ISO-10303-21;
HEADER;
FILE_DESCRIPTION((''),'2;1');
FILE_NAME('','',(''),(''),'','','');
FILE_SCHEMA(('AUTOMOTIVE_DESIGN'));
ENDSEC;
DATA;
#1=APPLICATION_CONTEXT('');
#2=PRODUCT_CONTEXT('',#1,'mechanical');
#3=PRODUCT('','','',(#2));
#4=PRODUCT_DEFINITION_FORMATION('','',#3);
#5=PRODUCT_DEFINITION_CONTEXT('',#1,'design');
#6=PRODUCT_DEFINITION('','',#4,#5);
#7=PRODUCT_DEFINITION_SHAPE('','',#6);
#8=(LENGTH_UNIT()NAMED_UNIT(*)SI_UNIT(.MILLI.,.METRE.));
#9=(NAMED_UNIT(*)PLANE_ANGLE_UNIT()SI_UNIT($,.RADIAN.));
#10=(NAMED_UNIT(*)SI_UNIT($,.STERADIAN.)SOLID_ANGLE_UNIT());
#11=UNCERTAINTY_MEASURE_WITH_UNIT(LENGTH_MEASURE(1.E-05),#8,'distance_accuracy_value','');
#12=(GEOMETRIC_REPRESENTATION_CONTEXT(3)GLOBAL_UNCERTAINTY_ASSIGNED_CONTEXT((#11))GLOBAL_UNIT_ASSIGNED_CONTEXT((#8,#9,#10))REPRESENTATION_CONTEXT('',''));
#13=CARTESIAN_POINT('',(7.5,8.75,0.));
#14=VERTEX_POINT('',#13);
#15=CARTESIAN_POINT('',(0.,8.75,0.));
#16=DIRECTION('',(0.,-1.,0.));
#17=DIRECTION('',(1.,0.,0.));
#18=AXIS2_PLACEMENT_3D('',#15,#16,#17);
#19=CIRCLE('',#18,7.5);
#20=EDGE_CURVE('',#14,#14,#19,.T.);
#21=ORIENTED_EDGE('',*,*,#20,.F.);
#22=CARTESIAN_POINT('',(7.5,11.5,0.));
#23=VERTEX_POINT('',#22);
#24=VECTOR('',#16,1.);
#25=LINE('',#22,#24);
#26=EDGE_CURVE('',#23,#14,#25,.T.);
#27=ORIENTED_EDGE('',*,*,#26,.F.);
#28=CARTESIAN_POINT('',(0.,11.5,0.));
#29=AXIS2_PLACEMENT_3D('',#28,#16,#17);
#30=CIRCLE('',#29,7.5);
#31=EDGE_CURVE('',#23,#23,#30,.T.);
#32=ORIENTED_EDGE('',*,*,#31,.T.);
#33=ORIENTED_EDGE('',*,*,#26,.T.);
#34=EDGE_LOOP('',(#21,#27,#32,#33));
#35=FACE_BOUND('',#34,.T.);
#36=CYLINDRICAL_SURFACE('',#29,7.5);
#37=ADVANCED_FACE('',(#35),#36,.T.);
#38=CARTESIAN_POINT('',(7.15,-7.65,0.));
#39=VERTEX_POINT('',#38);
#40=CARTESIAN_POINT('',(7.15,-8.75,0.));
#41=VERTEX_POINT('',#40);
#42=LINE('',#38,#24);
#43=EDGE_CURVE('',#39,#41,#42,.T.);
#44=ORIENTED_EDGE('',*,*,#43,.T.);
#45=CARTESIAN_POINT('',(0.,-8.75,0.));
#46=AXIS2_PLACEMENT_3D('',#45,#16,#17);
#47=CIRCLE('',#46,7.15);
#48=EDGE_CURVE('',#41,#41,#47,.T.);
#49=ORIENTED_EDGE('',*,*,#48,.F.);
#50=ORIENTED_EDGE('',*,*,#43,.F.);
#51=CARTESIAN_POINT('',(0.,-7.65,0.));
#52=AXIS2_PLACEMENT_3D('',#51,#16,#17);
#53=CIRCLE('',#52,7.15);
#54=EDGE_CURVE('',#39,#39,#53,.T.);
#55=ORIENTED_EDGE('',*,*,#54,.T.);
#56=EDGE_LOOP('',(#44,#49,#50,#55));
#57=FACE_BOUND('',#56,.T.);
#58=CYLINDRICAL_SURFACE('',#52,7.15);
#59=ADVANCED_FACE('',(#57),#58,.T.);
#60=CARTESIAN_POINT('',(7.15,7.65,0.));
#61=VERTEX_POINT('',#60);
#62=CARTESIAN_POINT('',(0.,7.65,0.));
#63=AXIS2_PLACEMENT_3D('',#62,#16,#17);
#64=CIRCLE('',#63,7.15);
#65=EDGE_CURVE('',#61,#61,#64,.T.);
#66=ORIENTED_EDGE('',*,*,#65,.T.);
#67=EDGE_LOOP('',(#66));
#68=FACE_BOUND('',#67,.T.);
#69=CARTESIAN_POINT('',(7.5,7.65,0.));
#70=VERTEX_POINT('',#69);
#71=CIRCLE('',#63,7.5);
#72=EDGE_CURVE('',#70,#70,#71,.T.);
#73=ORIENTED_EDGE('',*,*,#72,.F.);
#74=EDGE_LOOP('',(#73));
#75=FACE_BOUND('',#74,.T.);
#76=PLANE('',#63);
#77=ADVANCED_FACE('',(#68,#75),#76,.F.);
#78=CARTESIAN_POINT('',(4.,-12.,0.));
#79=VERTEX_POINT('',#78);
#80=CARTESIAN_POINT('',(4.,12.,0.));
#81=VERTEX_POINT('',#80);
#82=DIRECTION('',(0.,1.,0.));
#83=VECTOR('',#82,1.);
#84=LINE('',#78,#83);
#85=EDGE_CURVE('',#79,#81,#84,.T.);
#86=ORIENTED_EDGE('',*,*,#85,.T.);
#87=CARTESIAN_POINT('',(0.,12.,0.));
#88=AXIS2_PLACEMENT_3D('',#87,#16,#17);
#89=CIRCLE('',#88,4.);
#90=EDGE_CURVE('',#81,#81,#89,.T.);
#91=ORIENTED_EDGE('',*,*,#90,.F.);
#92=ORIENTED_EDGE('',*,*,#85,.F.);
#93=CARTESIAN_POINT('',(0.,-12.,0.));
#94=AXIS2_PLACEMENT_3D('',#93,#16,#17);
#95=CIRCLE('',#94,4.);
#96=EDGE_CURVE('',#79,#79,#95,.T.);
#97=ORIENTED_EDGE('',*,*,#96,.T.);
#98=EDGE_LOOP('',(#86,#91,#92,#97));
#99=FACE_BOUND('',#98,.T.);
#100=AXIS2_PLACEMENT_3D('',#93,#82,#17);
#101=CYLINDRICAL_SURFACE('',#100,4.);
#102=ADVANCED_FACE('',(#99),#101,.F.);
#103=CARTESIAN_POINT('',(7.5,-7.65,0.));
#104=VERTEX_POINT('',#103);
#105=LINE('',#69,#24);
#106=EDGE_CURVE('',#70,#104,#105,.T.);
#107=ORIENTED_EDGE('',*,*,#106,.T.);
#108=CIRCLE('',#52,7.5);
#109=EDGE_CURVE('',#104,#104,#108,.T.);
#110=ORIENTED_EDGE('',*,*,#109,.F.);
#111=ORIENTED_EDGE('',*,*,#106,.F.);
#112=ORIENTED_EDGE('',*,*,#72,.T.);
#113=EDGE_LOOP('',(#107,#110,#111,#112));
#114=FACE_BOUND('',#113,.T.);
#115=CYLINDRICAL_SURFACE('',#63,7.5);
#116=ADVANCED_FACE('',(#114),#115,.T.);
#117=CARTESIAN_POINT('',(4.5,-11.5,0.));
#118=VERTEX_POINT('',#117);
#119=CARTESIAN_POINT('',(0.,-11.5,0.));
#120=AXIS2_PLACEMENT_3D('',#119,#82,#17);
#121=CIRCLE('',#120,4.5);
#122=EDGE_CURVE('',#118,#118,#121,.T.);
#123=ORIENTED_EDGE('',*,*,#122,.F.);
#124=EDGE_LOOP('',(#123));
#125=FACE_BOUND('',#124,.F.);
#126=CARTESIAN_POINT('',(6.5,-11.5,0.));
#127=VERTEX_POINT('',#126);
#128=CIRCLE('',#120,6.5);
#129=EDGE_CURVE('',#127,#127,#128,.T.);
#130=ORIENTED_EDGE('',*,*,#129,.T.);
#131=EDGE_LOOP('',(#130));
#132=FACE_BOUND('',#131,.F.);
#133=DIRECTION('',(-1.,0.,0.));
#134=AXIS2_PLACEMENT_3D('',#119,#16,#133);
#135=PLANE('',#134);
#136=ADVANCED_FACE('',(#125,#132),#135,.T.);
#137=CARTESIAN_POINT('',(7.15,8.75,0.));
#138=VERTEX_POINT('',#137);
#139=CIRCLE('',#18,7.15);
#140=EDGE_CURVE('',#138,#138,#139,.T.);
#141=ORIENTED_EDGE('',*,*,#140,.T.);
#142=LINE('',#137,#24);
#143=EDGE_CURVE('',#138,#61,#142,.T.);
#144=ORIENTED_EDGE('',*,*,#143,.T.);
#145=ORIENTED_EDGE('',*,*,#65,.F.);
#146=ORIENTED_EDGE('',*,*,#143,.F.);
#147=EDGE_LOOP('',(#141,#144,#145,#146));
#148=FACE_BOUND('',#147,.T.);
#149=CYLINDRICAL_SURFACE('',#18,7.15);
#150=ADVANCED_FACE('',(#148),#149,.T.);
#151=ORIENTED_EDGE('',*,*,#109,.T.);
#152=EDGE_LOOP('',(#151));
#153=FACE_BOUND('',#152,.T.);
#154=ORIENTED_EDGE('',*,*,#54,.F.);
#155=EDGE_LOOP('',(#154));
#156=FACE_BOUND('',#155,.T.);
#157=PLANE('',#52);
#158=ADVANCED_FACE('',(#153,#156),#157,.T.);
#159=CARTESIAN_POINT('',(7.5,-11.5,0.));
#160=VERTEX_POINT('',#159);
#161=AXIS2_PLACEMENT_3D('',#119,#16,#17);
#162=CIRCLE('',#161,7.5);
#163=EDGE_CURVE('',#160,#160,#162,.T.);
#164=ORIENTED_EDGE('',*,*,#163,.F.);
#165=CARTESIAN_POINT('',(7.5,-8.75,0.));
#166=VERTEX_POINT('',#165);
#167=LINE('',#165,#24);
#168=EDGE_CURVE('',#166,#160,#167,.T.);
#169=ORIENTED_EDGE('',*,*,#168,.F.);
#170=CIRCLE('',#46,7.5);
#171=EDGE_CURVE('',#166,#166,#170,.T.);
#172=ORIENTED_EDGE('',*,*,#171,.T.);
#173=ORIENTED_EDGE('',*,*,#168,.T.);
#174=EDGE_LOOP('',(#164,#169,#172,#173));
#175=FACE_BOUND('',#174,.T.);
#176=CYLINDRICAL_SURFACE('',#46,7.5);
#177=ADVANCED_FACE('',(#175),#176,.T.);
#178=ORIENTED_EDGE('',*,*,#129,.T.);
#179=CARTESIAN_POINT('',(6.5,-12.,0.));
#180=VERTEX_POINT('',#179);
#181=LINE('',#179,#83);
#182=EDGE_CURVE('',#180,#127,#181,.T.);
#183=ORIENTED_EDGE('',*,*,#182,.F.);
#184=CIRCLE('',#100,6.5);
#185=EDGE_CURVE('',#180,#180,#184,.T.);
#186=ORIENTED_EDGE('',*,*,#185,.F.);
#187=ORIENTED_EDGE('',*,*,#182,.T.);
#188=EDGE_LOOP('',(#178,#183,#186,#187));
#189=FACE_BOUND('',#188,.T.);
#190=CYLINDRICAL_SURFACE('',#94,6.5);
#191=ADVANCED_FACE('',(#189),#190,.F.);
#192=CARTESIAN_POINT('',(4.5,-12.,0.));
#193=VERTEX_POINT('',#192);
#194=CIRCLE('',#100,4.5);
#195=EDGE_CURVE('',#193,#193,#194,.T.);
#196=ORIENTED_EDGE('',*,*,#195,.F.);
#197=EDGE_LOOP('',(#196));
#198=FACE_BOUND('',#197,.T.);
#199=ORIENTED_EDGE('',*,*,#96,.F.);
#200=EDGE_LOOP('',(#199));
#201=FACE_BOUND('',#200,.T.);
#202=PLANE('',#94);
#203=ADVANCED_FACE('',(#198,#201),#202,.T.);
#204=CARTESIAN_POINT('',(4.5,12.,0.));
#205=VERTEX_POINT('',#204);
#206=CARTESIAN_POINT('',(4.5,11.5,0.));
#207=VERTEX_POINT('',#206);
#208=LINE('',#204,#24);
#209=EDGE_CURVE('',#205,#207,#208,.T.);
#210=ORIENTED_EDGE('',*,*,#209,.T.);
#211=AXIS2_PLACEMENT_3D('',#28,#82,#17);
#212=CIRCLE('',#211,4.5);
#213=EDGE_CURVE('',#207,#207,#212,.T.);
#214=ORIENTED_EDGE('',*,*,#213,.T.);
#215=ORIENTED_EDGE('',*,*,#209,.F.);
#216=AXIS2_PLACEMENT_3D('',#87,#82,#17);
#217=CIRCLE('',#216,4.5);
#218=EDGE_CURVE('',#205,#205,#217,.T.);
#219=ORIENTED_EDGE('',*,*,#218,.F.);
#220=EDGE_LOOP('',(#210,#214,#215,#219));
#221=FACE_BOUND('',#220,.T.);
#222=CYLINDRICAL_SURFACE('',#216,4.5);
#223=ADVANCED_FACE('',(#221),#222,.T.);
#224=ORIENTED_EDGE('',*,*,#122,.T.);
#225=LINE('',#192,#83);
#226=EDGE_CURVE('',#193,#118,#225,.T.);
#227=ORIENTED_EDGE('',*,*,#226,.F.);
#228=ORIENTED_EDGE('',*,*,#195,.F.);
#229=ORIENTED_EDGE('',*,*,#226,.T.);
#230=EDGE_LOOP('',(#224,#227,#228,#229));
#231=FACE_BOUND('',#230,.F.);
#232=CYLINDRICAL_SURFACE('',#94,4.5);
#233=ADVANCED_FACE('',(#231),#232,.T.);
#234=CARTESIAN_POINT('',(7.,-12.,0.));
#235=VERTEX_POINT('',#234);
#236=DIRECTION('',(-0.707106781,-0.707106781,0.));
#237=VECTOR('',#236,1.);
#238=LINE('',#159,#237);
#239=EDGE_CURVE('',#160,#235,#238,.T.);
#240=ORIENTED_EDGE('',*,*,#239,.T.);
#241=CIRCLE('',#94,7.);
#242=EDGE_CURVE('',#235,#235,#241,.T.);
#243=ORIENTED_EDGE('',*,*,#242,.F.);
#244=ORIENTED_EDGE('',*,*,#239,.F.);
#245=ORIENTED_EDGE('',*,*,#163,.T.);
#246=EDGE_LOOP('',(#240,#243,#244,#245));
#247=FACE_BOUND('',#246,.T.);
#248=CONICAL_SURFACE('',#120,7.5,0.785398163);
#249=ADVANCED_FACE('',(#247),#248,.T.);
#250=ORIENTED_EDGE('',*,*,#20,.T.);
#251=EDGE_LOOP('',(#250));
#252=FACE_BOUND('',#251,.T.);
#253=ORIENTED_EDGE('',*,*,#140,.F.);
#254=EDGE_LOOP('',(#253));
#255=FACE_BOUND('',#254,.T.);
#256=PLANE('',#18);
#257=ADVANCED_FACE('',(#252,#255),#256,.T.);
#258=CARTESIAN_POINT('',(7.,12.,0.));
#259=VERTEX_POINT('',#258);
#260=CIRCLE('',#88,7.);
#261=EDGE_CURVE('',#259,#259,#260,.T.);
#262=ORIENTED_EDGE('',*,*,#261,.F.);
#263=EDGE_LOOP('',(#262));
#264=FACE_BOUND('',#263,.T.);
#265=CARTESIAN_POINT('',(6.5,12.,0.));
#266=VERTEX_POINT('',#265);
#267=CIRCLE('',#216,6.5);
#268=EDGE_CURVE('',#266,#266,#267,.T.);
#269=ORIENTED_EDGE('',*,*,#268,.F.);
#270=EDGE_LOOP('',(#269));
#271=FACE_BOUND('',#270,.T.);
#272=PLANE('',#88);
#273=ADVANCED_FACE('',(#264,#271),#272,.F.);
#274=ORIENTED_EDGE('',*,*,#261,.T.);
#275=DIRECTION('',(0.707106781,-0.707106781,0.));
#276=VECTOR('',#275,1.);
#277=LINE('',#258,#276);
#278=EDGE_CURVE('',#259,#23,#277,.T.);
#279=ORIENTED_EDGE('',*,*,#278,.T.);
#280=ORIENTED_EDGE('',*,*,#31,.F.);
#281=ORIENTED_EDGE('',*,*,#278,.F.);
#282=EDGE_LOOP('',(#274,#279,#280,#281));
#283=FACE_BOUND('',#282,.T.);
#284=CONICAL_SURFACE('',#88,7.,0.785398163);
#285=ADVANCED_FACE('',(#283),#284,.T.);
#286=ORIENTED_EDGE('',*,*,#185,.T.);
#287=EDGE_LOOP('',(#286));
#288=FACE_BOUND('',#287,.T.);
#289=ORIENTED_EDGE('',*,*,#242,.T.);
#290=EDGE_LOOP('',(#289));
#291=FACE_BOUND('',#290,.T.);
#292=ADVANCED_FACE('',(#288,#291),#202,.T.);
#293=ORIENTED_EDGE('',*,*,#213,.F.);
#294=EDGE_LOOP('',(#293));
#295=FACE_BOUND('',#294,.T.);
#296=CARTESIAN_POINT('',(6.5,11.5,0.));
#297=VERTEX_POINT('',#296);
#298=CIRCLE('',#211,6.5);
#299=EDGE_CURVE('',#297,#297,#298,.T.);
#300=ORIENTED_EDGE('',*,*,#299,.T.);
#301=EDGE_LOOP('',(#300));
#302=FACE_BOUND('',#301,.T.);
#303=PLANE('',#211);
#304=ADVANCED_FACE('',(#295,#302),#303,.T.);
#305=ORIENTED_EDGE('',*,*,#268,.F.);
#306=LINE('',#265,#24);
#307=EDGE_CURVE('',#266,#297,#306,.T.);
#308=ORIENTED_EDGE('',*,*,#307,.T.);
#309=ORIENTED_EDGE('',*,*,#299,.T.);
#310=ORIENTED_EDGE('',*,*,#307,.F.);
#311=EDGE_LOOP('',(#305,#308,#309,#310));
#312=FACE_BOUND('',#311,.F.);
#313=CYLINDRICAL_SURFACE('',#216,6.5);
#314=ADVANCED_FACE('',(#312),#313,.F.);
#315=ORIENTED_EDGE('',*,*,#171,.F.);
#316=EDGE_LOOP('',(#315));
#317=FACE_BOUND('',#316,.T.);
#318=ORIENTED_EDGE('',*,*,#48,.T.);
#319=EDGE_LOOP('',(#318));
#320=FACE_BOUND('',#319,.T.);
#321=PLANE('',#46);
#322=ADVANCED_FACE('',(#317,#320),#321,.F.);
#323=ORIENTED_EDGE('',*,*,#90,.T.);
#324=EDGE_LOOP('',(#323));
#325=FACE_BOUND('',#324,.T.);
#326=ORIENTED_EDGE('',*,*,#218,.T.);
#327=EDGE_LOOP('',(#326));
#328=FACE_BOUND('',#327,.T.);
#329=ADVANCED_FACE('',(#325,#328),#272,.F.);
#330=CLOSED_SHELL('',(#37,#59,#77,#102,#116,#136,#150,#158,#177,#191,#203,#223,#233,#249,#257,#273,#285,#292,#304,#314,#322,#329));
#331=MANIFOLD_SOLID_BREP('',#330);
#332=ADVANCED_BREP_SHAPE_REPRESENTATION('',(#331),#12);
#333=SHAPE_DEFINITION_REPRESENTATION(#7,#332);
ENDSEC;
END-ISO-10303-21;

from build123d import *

# Parameters (mm, degrees)
SKETCH2_R          = 6.5
SKETCH2_R_2        = 4.5
CUT_EXTRUDE1_DEPTH = 0.5


with BuildPart() as part:
    # Sketch1 → Body (revolve)
    with BuildSketch(Plane.XY):
        Polygon((4, -12), (4, 12), (7, 12), (7.5, 11.5), (7.5, 8.75), (7.15, 8.75), (7.15, 7.65), (7.5, 7.65), (7.5, -7.65), (7.15, -7.65), (7.15, -8.75), (7.5, -8.75), (7.5, -11.5), (7, -12), align=None)
    revolve(axis=Axis((0, 12, 0), (0, -1, 0)))

    # Sketch2 → Cut-Extrude1 (cut)
    with BuildSketch(Plane(origin=(0, 12, 0), x_dir=(1, 0, 0), z_dir=(0, 1, 0))):
        Circle(SKETCH2_R)
        Circle(SKETCH2_R_2, mode=Mode.SUBTRACT)
    cut_extrude1 = extrude(amount=-CUT_EXTRUDE1_DEPTH, mode=Mode.SUBTRACT)

    # Mirror1: Cut-Extrude1 across plane
    add(cut_extrude1.mirror(Plane.ZX), mode=Mode.SUBTRACT)


solid = part.part
